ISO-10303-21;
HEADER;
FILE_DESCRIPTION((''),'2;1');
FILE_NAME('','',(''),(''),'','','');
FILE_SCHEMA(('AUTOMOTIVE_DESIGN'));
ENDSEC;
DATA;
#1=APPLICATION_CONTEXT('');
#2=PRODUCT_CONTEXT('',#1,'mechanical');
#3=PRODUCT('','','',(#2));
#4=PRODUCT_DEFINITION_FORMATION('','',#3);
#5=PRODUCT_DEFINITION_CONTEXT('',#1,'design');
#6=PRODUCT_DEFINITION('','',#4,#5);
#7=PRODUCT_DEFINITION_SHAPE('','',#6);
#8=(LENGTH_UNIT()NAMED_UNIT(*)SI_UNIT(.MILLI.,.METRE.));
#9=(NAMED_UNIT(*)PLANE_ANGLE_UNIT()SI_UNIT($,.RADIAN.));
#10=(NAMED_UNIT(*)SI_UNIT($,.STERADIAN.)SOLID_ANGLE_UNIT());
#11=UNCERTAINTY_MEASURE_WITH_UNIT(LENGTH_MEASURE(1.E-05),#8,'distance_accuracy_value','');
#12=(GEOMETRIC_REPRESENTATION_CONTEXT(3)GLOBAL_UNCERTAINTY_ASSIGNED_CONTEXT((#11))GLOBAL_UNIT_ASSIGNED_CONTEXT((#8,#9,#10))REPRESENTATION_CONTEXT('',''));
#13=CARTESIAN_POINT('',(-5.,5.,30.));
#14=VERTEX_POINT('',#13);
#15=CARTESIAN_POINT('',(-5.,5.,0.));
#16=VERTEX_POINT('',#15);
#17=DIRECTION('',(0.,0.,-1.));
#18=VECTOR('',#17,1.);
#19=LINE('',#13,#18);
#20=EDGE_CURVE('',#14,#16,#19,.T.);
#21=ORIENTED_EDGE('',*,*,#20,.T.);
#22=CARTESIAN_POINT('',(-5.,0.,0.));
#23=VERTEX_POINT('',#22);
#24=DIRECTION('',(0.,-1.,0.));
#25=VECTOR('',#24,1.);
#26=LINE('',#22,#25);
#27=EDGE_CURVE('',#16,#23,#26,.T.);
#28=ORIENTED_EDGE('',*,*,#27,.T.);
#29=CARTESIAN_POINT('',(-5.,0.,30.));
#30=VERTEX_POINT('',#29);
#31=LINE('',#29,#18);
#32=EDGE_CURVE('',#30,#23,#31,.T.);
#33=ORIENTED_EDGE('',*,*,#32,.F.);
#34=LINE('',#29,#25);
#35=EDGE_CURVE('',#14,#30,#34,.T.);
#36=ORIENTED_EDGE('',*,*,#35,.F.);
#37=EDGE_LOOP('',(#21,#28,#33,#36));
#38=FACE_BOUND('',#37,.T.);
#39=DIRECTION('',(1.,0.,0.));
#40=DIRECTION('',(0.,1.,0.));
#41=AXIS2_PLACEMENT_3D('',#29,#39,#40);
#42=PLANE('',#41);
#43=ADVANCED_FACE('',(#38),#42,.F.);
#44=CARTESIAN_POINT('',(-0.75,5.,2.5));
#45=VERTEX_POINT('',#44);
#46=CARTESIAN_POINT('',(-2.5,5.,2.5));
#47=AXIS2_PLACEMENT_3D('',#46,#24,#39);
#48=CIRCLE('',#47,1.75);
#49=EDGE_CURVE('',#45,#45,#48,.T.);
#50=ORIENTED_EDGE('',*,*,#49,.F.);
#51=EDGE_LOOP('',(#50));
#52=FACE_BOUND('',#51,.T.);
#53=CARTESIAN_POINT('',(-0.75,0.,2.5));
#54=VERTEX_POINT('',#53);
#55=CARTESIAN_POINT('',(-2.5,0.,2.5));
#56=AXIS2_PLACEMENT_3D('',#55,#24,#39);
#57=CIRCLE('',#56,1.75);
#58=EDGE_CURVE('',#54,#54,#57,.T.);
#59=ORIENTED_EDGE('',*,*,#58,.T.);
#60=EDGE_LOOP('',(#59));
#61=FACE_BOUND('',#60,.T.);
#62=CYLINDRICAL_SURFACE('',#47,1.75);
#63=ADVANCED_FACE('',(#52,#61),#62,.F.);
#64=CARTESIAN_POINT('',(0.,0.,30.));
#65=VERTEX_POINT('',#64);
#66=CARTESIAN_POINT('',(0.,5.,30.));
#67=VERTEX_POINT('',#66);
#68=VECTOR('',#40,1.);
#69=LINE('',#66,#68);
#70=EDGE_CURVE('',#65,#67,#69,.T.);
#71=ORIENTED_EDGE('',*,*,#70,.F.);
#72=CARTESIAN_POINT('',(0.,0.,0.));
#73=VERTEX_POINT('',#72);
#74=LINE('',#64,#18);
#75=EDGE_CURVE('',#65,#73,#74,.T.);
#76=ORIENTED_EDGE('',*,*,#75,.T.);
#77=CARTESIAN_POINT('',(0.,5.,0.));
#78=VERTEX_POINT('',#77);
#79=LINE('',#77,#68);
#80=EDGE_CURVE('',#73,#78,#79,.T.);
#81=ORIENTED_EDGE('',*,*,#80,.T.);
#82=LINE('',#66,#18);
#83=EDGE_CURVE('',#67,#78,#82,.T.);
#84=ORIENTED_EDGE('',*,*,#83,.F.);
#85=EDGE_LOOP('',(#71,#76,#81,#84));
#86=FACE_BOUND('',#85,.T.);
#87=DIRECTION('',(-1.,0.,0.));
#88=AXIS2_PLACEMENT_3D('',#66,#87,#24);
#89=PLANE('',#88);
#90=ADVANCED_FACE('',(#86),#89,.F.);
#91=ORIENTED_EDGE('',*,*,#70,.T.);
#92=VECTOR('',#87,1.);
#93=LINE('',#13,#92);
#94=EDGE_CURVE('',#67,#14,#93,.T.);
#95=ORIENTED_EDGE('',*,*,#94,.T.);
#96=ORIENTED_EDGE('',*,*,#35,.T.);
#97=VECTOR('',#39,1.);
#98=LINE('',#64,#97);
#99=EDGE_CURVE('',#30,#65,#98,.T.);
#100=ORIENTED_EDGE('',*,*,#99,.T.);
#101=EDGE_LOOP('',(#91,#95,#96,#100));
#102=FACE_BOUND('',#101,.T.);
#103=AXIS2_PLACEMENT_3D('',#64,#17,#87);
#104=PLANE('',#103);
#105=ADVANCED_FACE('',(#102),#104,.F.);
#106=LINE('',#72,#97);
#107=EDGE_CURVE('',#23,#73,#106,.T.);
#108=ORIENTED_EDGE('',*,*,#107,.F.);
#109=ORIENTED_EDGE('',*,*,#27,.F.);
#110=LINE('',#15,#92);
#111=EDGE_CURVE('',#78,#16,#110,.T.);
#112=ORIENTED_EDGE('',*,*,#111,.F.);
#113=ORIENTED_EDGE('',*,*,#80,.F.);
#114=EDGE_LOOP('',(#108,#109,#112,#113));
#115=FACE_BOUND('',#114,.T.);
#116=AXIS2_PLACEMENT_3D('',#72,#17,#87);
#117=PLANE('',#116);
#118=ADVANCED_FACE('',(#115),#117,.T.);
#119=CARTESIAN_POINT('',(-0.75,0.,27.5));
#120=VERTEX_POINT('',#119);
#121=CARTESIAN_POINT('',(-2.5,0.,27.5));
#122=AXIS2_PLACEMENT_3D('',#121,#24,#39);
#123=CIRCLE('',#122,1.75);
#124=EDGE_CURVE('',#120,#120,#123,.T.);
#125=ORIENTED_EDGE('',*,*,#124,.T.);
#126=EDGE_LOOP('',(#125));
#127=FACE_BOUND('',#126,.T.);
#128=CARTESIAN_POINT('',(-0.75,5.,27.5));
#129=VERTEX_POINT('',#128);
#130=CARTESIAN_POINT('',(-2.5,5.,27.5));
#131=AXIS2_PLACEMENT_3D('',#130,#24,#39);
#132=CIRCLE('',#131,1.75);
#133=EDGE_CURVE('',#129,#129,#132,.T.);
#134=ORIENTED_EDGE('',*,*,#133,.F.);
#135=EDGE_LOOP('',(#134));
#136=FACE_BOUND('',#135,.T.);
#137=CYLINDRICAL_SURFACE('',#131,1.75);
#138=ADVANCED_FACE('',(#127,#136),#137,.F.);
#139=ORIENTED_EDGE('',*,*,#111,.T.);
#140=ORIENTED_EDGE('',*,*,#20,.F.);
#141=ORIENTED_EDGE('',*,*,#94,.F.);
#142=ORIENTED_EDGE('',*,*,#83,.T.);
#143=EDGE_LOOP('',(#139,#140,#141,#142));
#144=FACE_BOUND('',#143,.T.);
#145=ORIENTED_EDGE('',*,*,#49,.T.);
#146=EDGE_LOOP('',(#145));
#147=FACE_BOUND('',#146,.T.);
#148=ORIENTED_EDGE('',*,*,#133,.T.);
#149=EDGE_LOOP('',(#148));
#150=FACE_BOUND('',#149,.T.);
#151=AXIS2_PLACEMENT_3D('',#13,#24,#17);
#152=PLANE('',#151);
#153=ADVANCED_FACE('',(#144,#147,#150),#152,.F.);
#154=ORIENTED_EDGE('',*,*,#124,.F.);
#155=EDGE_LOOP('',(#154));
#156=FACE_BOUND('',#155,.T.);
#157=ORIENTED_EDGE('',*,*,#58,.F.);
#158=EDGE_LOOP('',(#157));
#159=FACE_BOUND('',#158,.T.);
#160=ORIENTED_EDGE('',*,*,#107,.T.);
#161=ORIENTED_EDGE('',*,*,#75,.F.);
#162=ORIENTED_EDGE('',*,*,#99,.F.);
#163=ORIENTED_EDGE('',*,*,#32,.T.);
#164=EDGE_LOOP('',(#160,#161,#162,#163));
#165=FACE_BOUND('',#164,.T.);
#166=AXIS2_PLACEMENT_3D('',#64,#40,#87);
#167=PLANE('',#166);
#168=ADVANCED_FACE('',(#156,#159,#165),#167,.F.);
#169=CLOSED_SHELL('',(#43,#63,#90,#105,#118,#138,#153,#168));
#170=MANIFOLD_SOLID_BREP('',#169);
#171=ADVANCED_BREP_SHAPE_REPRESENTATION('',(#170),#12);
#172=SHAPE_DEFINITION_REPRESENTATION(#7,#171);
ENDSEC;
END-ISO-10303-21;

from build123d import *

# Parameters (mm, degrees)
SCHIZZO1_W                   = 5
SCHIZZO1_H                   = 5
ESTRUSIONE_ESTRUSIONE1_DEPTH = 30
SCHIZZO2_R                   = 1.75
TAGLIO_ESTRUSIONE1_DEPTH     = 31.822070015


with BuildPart() as part:
    # Schizzo1 → Estrusione-Estrusione1 (new body)
    with BuildSketch(Plane.XY):
        with Locations((-2.5, 2.5)):
            Rectangle(SCHIZZO1_W, SCHIZZO1_H)
    extrude(amount=ESTRUSIONE_ESTRUSIONE1_DEPTH)

    # Schizzo2 → Taglio-Estrusione1 (cut, through all)
    with BuildSketch(Plane(origin=(0, 0, 0), x_dir=(-1, 0, 0), z_dir=(0, -1, 0))):
        with Locations(Location((2.5, -27.5, 0), (0, 0, 180))):
            Circle(SCHIZZO2_R)
        with Locations(Location((2.5, -2.5, 0), (0, 0, 180))):
            Circle(SCHIZZO2_R)
    extrude(amount=-TAGLIO_ESTRUSIONE1_DEPTH, mode=Mode.SUBTRACT)


solid = part.part
